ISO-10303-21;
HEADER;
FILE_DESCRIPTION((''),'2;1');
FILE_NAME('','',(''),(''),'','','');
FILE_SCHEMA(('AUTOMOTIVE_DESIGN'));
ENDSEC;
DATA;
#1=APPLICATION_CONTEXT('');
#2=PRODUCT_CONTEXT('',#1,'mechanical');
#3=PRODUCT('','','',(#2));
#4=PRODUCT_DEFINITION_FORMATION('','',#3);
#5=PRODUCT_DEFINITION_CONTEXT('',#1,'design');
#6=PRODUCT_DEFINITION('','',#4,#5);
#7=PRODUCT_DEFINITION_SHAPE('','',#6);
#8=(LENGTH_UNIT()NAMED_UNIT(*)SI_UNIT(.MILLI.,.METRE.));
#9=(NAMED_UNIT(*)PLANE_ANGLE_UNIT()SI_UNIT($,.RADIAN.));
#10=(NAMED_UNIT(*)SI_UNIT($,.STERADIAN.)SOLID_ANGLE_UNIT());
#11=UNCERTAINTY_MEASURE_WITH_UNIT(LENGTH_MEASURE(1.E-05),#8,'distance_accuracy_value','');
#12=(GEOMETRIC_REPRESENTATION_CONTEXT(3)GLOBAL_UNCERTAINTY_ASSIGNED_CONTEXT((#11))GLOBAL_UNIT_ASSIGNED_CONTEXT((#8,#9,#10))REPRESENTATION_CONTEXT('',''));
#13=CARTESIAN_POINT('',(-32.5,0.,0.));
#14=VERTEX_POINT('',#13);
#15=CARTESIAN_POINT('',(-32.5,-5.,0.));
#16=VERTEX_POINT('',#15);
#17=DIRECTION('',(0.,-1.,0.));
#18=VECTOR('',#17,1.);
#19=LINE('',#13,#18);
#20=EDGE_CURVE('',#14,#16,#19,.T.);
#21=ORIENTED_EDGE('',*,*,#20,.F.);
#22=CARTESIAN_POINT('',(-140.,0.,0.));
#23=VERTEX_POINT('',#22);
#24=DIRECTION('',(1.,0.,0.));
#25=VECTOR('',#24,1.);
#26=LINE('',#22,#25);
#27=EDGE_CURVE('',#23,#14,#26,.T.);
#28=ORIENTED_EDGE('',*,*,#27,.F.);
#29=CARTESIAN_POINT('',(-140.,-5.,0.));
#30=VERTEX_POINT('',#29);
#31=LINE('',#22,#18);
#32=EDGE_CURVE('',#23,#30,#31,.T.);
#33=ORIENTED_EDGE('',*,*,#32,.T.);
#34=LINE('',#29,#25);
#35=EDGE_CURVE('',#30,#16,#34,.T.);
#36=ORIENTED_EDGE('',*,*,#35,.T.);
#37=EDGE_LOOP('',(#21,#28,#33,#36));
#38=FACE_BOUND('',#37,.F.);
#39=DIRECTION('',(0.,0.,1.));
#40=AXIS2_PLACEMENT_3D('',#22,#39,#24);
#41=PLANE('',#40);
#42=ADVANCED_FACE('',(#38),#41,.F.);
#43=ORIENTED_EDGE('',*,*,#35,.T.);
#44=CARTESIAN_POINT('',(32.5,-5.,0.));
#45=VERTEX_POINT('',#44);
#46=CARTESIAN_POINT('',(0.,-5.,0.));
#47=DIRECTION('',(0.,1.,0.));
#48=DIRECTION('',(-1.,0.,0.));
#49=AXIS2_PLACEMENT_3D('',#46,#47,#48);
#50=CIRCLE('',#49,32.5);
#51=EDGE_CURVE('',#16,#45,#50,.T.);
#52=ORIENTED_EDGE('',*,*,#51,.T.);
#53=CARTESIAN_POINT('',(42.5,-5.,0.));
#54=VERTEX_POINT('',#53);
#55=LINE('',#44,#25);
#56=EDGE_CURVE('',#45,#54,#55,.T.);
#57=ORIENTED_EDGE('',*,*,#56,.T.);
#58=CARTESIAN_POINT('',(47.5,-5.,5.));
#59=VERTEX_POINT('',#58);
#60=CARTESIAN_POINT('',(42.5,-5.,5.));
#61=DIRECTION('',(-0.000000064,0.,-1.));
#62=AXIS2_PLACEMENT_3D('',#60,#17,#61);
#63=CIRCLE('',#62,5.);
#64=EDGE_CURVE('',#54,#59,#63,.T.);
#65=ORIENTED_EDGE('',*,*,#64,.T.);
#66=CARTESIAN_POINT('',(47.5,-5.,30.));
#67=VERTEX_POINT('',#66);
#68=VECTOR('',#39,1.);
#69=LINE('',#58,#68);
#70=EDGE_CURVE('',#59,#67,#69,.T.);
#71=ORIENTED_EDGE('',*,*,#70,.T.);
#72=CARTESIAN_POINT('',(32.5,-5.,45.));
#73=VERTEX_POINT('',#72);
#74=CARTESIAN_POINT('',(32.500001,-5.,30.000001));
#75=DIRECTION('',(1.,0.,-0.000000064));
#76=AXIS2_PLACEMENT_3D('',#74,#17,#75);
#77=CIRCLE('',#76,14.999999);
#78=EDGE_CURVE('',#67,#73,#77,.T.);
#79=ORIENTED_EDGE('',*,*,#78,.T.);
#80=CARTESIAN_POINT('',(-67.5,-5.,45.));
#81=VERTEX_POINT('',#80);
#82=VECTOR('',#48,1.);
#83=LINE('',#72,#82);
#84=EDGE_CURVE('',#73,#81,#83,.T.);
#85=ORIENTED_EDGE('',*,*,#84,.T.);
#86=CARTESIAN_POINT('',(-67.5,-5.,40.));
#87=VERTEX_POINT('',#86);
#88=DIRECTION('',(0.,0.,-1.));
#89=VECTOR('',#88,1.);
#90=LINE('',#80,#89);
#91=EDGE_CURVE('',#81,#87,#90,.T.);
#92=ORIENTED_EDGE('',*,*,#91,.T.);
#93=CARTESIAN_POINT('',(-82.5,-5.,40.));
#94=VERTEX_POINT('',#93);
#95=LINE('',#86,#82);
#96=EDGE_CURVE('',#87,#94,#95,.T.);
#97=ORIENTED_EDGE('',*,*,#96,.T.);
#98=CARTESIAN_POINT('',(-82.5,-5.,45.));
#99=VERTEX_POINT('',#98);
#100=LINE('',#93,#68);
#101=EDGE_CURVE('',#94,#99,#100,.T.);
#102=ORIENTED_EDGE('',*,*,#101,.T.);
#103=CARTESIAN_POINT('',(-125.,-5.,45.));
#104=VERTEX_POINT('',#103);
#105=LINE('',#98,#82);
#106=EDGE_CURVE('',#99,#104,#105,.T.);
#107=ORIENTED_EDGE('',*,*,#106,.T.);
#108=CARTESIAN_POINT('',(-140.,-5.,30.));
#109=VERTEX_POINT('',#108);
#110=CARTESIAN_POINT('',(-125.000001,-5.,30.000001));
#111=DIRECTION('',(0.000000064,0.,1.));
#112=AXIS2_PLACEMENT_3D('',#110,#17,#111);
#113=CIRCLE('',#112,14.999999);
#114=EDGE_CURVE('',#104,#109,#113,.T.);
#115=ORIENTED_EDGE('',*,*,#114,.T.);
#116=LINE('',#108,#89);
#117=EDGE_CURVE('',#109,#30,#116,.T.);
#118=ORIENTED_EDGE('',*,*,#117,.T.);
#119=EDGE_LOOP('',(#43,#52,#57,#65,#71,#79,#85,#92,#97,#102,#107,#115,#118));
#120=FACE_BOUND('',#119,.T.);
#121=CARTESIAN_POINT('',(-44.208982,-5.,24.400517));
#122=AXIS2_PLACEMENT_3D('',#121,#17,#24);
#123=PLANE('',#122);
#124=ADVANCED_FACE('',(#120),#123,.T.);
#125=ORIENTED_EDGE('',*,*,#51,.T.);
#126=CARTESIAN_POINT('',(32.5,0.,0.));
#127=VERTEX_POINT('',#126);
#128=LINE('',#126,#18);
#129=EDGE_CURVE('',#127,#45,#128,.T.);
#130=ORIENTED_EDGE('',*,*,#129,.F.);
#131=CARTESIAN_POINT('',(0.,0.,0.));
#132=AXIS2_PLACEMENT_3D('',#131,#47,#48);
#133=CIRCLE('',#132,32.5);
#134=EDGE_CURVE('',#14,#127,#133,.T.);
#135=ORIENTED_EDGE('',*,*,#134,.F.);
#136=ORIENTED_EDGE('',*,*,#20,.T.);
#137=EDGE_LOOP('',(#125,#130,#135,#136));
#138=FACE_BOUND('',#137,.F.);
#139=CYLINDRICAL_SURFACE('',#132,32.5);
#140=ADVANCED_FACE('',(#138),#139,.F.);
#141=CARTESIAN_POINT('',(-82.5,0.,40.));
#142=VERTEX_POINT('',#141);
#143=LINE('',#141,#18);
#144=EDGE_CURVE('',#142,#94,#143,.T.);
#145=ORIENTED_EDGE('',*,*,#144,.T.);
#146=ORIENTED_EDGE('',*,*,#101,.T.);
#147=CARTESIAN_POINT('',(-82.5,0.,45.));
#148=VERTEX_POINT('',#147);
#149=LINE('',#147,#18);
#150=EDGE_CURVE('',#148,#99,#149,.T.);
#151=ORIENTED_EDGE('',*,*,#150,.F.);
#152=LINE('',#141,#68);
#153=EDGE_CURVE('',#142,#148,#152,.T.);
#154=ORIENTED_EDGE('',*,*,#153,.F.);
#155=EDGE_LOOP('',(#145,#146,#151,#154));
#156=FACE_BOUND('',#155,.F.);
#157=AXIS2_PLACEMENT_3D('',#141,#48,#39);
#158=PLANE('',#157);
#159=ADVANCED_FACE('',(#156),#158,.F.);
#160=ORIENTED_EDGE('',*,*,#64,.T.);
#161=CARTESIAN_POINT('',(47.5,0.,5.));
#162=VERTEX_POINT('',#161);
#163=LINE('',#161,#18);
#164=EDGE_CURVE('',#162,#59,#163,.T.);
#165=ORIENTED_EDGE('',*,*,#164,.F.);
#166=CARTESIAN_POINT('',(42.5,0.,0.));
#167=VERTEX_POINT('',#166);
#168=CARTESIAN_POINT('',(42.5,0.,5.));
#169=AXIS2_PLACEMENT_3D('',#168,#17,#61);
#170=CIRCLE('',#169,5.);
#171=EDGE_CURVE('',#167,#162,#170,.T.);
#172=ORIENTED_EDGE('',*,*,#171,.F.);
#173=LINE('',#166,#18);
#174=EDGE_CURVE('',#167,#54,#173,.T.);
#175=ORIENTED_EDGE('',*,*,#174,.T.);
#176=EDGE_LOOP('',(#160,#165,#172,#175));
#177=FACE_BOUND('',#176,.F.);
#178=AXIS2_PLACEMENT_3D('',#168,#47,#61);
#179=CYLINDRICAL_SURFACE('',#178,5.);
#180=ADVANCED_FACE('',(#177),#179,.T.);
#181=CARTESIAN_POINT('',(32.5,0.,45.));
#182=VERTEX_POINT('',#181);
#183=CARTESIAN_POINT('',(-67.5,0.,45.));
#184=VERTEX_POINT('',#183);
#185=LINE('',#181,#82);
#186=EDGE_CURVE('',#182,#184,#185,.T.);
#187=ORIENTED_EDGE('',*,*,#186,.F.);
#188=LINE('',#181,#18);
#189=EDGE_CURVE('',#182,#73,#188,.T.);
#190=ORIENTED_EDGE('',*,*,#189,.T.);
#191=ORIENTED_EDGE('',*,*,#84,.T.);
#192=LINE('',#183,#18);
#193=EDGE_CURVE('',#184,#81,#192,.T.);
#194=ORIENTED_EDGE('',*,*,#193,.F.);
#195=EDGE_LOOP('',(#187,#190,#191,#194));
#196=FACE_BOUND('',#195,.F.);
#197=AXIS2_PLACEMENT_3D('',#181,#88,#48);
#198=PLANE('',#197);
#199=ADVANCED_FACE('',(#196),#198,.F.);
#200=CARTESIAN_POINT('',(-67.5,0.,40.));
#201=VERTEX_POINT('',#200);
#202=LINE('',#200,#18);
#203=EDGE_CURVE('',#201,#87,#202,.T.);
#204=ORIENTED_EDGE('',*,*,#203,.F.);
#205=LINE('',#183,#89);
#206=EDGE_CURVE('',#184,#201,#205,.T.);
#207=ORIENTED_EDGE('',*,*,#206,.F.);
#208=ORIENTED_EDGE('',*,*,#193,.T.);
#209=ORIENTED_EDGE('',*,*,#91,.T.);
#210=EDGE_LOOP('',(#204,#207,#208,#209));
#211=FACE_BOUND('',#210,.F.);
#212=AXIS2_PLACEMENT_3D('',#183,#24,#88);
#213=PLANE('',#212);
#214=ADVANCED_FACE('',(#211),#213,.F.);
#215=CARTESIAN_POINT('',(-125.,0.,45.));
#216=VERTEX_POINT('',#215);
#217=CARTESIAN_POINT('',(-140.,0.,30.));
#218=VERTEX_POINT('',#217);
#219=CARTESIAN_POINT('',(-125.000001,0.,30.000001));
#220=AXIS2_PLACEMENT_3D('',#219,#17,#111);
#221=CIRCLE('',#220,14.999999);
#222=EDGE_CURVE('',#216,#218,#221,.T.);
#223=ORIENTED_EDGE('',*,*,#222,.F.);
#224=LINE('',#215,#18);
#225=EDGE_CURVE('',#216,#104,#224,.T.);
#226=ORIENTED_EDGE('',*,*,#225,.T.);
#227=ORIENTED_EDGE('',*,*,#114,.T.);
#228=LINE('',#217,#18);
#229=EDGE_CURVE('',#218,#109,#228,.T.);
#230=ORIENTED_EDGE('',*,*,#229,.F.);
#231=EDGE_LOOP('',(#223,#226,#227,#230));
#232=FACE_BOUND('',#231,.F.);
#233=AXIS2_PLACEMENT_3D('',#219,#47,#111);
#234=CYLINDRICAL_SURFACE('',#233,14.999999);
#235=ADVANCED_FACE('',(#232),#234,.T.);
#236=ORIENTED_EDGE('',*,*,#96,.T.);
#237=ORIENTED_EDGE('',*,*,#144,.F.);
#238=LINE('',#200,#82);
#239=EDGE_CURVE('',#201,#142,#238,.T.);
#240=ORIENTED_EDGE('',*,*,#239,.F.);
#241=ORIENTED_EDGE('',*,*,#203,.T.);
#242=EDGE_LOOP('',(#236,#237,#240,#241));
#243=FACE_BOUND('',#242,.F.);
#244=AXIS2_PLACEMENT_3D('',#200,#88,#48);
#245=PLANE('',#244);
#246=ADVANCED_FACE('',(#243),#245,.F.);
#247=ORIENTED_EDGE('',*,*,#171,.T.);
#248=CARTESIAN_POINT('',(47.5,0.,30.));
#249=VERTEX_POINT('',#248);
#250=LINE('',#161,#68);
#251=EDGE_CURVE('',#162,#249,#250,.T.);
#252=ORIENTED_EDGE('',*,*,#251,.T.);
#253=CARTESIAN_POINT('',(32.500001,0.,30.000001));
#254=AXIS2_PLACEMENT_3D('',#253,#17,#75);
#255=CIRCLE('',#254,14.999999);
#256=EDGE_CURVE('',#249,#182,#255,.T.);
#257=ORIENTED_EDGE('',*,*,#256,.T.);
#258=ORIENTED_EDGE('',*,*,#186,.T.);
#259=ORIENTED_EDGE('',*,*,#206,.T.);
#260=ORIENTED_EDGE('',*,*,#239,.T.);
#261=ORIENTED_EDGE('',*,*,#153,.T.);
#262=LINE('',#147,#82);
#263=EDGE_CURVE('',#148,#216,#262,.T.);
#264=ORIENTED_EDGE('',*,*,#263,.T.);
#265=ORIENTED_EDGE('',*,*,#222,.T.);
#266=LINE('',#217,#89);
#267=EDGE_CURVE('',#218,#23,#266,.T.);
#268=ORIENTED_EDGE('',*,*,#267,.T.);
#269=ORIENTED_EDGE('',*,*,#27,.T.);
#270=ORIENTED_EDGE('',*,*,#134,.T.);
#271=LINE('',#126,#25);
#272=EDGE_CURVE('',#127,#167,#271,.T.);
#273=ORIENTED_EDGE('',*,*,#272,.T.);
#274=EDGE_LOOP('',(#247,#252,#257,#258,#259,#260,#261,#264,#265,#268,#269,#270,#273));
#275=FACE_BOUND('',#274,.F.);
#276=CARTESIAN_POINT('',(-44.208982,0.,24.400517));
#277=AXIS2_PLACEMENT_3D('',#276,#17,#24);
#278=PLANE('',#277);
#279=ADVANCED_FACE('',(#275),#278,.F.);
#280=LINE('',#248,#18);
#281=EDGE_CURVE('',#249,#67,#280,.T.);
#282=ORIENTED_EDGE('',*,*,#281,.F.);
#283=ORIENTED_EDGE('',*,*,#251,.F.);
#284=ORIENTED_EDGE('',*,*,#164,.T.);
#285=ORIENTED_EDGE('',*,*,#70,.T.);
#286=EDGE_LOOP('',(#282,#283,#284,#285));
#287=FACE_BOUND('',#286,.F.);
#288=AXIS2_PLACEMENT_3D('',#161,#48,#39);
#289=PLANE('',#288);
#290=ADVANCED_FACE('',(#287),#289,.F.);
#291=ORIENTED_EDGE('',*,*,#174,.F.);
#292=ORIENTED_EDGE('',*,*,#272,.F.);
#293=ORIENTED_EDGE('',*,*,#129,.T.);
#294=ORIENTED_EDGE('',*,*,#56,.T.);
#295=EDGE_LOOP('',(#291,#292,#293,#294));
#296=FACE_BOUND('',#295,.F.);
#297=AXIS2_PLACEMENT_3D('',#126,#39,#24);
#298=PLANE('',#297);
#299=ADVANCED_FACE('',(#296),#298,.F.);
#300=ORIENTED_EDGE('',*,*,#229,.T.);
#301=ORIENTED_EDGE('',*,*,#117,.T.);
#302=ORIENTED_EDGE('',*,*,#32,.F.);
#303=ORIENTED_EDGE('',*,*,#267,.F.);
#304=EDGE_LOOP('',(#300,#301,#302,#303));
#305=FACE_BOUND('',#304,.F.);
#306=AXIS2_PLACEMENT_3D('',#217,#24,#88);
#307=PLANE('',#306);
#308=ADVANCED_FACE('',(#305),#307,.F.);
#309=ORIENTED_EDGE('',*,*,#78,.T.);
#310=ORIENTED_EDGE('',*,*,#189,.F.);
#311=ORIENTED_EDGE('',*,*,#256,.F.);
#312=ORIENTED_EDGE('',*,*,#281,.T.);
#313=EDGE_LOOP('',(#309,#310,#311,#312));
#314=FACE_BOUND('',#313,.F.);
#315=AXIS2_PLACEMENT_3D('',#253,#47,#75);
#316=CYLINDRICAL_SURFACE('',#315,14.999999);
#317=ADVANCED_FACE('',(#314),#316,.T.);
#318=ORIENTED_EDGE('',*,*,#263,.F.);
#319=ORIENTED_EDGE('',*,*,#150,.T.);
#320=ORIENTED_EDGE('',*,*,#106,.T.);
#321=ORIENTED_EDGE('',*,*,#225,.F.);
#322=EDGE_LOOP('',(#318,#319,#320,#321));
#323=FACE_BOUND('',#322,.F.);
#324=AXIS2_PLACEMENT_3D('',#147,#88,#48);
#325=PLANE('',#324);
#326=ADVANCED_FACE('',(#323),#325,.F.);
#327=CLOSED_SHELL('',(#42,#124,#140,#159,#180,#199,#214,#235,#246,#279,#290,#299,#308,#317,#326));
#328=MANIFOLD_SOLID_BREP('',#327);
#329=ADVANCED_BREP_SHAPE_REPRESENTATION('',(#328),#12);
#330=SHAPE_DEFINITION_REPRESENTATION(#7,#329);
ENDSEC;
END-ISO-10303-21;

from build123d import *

# Parameters (mm, degrees)
F1_DEPTH = 5


with BuildPart() as f1:
    # F0 (on Front) → F1 (new body)
    with BuildSketch(Plane.XZ):
        with BuildLine():
            ThreePointArc((-32.5, 0), (0, 32.5), (32.5, 0))
            Line((32.5, 0), (42.5, 0))
            ThreePointArc((42.5, 0), (46.035534, 1.464466), (47.5, 5))
            Line((47.5, 5), (47.5, 30))
            ThreePointArc((47.5, 30), (43.106602, 40.606602), (32.5, 45))
            Line((32.5, 45), (-67.5, 45))
            Line((-67.5, 45), (-67.5, 40))
            Line((-67.5, 40), (-82.5, 40))
            Line((-82.5, 40), (-82.5, 45))
            Line((-82.5, 45), (-125, 45))
            ThreePointArc((-125, 45), (-135.606602, 40.606602), (-140, 30))
            Line((-140, 30), (-140, 0))
            Line((-140, 0), (-130, 0))
            Line((-130, 0), (-32.5, 0))
        make_face()
    extrude(amount=F1_DEPTH)


solid = f1.part
